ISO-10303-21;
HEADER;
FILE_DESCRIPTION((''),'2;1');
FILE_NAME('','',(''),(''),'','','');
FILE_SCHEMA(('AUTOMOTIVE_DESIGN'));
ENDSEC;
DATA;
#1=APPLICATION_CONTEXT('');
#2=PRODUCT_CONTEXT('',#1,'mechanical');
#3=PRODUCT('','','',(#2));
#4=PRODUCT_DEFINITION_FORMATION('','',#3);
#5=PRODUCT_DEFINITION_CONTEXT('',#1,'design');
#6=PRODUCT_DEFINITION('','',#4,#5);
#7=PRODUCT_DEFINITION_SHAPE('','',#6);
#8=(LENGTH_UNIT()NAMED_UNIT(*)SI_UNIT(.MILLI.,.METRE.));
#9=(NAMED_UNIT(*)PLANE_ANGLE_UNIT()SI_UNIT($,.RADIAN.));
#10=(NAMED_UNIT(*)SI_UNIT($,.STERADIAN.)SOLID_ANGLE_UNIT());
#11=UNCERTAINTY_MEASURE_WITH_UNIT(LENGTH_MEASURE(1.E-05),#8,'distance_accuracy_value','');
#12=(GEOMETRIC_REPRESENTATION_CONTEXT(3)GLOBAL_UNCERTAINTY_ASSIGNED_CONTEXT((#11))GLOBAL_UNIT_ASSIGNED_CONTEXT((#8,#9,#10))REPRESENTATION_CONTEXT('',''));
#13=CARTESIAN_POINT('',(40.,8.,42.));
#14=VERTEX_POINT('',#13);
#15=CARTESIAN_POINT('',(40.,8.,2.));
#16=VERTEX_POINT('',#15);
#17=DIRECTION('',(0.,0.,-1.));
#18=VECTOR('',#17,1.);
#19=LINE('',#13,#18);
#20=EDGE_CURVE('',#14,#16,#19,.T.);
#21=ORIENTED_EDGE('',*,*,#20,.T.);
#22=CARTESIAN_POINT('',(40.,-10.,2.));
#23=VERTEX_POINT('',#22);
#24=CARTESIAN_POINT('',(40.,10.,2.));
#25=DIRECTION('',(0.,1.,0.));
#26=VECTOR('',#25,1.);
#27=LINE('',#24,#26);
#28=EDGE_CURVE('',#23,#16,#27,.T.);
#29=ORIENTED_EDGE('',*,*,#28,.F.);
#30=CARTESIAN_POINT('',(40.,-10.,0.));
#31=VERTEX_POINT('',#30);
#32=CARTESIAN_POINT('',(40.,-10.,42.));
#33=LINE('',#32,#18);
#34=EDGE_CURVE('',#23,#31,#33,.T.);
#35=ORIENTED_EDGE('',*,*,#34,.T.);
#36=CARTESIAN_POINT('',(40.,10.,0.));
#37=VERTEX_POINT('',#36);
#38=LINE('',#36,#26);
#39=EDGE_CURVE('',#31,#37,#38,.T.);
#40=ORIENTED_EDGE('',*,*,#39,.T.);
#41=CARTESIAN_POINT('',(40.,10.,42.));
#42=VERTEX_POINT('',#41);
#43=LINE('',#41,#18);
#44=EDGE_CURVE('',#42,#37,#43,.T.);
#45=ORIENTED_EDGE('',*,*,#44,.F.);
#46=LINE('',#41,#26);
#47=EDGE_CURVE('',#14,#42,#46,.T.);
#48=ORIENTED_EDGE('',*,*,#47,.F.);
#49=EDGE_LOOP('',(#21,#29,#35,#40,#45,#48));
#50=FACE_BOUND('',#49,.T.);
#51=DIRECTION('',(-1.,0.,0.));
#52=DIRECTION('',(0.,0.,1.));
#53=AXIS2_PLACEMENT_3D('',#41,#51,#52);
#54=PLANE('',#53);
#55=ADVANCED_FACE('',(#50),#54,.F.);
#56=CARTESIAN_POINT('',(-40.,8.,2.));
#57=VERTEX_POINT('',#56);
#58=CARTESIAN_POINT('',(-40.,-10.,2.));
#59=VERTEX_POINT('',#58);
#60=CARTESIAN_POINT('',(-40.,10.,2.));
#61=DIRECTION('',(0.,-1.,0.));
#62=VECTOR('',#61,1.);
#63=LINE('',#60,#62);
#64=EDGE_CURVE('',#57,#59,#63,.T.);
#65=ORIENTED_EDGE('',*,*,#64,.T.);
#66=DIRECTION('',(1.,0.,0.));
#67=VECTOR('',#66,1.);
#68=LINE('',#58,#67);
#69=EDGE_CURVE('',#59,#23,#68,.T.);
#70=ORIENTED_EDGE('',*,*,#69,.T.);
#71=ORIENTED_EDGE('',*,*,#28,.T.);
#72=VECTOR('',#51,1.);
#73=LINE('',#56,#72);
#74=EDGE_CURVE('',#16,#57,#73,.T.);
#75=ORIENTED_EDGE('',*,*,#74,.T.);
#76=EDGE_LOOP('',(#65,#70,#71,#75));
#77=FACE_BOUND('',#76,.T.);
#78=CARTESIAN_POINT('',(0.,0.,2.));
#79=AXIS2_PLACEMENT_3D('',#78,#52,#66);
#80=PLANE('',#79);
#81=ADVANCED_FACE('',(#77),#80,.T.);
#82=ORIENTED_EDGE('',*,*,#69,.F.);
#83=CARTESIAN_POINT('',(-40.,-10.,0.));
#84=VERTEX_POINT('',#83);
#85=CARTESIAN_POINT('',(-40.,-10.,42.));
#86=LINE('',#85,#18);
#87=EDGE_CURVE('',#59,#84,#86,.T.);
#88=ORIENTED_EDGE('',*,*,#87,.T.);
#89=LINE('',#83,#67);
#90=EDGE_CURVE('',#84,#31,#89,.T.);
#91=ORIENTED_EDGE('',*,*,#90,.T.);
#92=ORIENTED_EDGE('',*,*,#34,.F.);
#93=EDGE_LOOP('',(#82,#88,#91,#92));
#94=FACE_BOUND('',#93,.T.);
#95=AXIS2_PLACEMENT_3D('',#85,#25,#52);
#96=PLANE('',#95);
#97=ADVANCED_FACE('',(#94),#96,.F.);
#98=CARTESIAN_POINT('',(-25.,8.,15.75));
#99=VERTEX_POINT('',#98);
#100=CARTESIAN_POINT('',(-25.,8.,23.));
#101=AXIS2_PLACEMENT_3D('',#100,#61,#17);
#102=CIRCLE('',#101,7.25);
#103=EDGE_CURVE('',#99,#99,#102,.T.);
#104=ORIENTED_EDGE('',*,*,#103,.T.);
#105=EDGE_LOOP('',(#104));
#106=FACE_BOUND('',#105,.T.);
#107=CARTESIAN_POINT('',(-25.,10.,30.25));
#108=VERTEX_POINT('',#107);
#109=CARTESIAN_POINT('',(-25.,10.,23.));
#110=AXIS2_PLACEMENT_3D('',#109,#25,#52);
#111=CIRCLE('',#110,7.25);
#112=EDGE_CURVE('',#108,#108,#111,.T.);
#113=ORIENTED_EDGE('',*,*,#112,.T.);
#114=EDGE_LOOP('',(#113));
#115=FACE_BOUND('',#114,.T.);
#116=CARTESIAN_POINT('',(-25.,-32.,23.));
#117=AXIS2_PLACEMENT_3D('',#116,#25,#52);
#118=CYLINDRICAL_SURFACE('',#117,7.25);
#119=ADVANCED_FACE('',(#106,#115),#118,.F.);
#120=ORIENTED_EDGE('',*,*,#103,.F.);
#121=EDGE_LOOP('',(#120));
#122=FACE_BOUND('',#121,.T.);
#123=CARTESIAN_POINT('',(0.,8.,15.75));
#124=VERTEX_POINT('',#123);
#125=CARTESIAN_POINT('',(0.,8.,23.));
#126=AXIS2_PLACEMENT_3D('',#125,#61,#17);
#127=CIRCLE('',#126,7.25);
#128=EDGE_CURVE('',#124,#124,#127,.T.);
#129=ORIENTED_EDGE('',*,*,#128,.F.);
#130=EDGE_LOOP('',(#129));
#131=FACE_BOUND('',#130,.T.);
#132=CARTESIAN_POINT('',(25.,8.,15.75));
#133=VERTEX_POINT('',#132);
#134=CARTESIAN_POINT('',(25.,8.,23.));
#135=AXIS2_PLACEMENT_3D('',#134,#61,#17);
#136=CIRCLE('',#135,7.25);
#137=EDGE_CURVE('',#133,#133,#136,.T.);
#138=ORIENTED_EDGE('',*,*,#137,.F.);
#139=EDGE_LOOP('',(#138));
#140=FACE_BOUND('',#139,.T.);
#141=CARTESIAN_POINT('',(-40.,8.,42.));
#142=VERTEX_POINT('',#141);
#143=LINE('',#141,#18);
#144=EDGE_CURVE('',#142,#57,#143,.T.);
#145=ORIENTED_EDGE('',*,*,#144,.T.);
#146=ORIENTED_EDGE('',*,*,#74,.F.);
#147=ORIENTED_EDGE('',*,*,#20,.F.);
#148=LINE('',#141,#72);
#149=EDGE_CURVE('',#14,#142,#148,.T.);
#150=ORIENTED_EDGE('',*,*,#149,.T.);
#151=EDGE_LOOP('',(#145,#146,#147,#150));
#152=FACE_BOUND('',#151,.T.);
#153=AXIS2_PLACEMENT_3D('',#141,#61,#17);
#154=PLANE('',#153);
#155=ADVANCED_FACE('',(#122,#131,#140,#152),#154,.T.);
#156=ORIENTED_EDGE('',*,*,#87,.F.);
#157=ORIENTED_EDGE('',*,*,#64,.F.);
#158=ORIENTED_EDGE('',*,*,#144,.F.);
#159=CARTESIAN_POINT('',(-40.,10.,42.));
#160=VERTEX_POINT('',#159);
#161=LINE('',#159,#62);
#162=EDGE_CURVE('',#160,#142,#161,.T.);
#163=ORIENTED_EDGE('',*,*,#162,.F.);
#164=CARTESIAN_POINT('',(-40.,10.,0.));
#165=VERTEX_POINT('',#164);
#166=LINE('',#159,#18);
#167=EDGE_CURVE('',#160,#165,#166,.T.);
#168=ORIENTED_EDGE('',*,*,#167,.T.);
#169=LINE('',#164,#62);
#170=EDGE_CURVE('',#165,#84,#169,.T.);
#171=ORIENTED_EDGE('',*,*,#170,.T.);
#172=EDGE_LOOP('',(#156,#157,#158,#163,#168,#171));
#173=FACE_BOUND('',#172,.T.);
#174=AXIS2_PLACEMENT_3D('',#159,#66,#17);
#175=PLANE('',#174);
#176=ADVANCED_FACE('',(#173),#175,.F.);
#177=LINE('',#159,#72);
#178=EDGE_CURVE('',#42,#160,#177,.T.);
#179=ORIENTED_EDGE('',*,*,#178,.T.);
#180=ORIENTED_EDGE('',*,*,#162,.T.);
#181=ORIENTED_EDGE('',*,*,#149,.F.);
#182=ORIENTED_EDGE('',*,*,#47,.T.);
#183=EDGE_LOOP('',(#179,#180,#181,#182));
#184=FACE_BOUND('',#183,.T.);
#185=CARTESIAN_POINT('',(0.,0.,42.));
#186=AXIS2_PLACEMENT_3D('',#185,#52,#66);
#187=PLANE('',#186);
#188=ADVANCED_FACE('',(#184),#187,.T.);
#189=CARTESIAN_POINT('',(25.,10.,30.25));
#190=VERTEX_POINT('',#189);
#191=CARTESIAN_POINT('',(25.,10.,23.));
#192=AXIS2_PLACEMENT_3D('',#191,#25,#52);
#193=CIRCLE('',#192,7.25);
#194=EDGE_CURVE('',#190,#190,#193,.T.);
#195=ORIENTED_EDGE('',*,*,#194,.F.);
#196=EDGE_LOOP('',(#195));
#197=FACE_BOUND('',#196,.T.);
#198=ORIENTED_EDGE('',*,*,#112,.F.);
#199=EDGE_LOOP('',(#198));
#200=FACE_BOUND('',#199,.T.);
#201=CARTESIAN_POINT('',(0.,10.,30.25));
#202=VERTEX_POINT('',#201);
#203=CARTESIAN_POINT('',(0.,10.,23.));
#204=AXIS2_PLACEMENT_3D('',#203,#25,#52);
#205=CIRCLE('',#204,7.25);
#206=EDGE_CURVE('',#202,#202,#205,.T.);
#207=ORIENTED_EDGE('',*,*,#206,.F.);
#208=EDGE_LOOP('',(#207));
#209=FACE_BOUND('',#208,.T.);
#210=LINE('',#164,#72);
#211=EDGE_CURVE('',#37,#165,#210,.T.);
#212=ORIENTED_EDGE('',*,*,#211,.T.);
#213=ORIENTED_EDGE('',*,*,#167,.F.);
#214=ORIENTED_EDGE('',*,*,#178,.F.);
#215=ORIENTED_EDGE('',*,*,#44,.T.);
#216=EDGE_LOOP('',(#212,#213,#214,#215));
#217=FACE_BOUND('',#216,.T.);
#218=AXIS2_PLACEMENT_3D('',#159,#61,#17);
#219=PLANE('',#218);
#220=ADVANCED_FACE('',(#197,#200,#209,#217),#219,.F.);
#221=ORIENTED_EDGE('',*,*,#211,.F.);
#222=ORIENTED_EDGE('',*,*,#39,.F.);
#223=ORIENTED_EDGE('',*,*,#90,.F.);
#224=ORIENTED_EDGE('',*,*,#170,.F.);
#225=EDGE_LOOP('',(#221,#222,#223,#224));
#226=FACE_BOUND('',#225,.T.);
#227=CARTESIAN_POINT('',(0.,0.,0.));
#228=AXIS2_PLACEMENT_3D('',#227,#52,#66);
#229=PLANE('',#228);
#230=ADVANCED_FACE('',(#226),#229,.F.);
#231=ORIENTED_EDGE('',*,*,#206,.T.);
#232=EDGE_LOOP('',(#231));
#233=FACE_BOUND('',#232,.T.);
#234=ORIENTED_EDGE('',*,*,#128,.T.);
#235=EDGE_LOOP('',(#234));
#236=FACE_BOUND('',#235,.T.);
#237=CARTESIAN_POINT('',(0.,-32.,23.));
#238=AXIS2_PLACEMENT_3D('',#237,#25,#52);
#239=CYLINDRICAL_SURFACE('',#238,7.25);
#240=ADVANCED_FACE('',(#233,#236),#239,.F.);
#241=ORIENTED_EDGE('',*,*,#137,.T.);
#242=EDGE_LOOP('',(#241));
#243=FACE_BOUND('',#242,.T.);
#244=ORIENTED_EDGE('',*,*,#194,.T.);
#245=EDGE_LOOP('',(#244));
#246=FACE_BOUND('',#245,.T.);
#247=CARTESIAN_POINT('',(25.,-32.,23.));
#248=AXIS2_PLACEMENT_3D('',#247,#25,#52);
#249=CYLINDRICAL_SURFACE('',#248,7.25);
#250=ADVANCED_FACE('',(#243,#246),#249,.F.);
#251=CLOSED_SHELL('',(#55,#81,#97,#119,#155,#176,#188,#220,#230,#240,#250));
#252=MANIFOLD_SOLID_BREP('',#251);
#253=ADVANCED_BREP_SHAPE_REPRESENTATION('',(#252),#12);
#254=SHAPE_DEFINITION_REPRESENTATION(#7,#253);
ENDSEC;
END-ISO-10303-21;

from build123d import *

# Parameters (mm, degrees)
IZIM1_W                     = 80
IZIM1_H                     = 20
Y_KSEKLIK_EKSTR_ZYON1_DEPTH = 42
BO_ALTMA1_T                 = -2
IZIM2_R                     = 7.25
KES_EKSTR_ZYON1_DEPTH       = 42


with BuildPart() as part:
    # Çizim1 → Yükseklik-Ekstrüzyon1 (new body)
    with BuildSketch(Plane.XY):
        Rectangle(IZIM1_W, IZIM1_H)
    extrude(amount=Y_KSEKLIK_EKSTR_ZYON1_DEPTH)

    # İç Boşaltma1
    bo_altma1_openings = [part.faces().sort_by_distance(p)[0] for p in [
        (0, 0, 42),
        (0, -10, 21),
        (-40, 0, 21),
        (40, 0, 21),
    ]]
    offset(amount=BO_ALTMA1_T, openings=bo_altma1_openings, kind=Kind.INTERSECTION)

    # Çizim2 → Kes-Ekstrüzyon1 (cut)
    with BuildSketch(Plane(origin=(0, 10, 0), x_dir=(1, 0, 0), z_dir=(0, 1, 0))):
        with Locations((0, -23)):
            Circle(IZIM2_R)
        with Locations((-25, -23)):
            Circle(IZIM2_R)
        with Locations((25, -23)):
            Circle(IZIM2_R)
    extrude(amount=-KES_EKSTR_ZYON1_DEPTH, mode=Mode.SUBTRACT)


solid = part.part
